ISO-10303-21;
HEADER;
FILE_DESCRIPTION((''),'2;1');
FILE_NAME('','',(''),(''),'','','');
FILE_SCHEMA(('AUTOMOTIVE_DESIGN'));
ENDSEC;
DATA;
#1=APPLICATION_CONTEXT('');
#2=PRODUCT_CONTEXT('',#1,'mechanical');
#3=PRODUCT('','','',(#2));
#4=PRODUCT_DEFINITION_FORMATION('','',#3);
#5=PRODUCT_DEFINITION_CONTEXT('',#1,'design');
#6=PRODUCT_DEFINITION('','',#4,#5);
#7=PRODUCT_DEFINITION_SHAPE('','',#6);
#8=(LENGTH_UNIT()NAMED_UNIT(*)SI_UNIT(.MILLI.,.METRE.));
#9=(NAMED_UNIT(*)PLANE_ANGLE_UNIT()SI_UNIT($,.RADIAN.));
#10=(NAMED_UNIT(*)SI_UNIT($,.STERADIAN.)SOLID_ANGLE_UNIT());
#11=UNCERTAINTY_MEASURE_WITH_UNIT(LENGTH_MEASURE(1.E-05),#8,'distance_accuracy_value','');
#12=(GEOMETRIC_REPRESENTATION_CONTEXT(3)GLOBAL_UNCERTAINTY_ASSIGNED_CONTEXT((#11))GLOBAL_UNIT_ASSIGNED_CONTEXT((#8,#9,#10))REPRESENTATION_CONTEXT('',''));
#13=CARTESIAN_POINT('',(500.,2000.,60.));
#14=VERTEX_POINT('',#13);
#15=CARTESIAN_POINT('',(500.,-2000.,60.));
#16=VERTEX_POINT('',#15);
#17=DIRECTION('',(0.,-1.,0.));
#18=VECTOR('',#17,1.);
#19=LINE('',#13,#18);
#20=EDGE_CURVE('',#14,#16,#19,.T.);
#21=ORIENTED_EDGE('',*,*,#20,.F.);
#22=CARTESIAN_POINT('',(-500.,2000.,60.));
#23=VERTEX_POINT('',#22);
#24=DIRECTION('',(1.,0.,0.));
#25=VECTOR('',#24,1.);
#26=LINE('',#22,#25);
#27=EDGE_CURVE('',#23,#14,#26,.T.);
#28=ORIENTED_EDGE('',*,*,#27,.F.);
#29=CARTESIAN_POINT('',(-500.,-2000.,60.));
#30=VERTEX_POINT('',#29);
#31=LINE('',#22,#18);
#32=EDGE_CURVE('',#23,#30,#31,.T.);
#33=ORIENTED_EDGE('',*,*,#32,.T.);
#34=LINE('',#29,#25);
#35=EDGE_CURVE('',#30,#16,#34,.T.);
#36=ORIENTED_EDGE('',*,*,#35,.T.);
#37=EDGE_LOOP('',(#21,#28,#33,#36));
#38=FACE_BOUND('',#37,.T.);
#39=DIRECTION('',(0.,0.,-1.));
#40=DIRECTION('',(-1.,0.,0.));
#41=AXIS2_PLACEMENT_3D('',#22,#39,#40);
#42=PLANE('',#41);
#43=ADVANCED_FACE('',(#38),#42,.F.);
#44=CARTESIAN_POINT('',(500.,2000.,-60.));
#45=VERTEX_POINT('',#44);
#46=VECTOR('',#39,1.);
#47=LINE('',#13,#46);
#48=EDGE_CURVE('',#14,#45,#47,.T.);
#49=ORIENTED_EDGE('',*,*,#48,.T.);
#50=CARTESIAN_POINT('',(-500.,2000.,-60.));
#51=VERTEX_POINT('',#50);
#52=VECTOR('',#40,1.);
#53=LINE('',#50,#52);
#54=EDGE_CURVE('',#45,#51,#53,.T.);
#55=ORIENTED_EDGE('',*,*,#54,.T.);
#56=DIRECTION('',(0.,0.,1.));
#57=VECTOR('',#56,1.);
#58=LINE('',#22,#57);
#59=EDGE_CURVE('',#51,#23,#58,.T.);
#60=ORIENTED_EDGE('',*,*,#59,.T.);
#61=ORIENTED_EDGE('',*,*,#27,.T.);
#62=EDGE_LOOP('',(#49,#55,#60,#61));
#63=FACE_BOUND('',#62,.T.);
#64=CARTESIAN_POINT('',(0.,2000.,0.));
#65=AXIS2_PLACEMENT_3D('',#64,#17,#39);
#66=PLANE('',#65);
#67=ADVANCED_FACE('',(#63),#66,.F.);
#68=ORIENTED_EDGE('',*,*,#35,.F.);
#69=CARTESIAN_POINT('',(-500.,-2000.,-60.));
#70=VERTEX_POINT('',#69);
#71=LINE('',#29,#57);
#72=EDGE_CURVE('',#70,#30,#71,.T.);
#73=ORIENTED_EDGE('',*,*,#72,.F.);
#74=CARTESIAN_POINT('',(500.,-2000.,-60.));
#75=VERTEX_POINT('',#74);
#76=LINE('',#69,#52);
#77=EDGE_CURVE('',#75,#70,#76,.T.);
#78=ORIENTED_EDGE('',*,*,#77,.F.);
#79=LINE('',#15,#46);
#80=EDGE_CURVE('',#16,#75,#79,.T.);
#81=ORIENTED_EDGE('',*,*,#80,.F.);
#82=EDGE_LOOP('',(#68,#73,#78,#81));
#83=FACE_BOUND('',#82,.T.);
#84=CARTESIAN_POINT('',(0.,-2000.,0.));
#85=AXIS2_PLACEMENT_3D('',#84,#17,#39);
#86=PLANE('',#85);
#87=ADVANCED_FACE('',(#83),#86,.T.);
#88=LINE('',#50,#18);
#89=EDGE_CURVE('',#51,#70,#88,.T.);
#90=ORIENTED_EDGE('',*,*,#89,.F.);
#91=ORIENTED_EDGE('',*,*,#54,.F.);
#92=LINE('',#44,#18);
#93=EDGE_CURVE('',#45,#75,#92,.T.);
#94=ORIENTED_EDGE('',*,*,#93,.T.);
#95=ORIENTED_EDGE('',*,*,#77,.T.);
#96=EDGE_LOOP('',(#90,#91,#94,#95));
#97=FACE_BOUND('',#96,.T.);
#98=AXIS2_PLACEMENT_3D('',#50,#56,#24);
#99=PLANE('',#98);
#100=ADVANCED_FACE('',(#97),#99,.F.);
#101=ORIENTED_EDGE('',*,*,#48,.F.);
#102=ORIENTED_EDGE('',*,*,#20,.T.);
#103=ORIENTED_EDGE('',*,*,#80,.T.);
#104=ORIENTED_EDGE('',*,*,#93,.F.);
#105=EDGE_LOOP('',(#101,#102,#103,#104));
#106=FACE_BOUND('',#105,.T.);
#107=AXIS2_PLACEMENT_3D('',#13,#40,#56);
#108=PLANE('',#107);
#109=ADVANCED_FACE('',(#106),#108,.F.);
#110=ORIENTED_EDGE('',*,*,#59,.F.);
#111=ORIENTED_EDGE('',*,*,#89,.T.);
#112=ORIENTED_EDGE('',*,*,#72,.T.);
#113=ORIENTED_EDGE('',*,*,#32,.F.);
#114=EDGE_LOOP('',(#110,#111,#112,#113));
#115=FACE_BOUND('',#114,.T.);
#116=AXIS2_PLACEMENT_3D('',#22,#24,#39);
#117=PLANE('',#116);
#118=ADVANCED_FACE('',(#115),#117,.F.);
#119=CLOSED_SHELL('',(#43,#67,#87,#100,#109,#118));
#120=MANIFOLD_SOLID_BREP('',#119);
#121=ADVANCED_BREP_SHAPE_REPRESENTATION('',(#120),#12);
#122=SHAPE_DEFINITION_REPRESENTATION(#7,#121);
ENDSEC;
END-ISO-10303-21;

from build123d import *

# Parameters (mm, degrees)
WINGSKETCH_W          = 1000
WINGSKETCH_H          = 120
RECTANGUALRWING_DEPTH = 2000


with BuildPart() as part:
    # WingSketch → RectangualrWing (new, symmetric)
    with BuildSketch(Plane(origin=(0, 0, 0), x_dir=(1, 0, 0), z_dir=(0, 1, 0))):
        Rectangle(WINGSKETCH_W, WINGSKETCH_H)
    extrude(amount=RECTANGUALRWING_DEPTH, both=True)


solid = part.part
